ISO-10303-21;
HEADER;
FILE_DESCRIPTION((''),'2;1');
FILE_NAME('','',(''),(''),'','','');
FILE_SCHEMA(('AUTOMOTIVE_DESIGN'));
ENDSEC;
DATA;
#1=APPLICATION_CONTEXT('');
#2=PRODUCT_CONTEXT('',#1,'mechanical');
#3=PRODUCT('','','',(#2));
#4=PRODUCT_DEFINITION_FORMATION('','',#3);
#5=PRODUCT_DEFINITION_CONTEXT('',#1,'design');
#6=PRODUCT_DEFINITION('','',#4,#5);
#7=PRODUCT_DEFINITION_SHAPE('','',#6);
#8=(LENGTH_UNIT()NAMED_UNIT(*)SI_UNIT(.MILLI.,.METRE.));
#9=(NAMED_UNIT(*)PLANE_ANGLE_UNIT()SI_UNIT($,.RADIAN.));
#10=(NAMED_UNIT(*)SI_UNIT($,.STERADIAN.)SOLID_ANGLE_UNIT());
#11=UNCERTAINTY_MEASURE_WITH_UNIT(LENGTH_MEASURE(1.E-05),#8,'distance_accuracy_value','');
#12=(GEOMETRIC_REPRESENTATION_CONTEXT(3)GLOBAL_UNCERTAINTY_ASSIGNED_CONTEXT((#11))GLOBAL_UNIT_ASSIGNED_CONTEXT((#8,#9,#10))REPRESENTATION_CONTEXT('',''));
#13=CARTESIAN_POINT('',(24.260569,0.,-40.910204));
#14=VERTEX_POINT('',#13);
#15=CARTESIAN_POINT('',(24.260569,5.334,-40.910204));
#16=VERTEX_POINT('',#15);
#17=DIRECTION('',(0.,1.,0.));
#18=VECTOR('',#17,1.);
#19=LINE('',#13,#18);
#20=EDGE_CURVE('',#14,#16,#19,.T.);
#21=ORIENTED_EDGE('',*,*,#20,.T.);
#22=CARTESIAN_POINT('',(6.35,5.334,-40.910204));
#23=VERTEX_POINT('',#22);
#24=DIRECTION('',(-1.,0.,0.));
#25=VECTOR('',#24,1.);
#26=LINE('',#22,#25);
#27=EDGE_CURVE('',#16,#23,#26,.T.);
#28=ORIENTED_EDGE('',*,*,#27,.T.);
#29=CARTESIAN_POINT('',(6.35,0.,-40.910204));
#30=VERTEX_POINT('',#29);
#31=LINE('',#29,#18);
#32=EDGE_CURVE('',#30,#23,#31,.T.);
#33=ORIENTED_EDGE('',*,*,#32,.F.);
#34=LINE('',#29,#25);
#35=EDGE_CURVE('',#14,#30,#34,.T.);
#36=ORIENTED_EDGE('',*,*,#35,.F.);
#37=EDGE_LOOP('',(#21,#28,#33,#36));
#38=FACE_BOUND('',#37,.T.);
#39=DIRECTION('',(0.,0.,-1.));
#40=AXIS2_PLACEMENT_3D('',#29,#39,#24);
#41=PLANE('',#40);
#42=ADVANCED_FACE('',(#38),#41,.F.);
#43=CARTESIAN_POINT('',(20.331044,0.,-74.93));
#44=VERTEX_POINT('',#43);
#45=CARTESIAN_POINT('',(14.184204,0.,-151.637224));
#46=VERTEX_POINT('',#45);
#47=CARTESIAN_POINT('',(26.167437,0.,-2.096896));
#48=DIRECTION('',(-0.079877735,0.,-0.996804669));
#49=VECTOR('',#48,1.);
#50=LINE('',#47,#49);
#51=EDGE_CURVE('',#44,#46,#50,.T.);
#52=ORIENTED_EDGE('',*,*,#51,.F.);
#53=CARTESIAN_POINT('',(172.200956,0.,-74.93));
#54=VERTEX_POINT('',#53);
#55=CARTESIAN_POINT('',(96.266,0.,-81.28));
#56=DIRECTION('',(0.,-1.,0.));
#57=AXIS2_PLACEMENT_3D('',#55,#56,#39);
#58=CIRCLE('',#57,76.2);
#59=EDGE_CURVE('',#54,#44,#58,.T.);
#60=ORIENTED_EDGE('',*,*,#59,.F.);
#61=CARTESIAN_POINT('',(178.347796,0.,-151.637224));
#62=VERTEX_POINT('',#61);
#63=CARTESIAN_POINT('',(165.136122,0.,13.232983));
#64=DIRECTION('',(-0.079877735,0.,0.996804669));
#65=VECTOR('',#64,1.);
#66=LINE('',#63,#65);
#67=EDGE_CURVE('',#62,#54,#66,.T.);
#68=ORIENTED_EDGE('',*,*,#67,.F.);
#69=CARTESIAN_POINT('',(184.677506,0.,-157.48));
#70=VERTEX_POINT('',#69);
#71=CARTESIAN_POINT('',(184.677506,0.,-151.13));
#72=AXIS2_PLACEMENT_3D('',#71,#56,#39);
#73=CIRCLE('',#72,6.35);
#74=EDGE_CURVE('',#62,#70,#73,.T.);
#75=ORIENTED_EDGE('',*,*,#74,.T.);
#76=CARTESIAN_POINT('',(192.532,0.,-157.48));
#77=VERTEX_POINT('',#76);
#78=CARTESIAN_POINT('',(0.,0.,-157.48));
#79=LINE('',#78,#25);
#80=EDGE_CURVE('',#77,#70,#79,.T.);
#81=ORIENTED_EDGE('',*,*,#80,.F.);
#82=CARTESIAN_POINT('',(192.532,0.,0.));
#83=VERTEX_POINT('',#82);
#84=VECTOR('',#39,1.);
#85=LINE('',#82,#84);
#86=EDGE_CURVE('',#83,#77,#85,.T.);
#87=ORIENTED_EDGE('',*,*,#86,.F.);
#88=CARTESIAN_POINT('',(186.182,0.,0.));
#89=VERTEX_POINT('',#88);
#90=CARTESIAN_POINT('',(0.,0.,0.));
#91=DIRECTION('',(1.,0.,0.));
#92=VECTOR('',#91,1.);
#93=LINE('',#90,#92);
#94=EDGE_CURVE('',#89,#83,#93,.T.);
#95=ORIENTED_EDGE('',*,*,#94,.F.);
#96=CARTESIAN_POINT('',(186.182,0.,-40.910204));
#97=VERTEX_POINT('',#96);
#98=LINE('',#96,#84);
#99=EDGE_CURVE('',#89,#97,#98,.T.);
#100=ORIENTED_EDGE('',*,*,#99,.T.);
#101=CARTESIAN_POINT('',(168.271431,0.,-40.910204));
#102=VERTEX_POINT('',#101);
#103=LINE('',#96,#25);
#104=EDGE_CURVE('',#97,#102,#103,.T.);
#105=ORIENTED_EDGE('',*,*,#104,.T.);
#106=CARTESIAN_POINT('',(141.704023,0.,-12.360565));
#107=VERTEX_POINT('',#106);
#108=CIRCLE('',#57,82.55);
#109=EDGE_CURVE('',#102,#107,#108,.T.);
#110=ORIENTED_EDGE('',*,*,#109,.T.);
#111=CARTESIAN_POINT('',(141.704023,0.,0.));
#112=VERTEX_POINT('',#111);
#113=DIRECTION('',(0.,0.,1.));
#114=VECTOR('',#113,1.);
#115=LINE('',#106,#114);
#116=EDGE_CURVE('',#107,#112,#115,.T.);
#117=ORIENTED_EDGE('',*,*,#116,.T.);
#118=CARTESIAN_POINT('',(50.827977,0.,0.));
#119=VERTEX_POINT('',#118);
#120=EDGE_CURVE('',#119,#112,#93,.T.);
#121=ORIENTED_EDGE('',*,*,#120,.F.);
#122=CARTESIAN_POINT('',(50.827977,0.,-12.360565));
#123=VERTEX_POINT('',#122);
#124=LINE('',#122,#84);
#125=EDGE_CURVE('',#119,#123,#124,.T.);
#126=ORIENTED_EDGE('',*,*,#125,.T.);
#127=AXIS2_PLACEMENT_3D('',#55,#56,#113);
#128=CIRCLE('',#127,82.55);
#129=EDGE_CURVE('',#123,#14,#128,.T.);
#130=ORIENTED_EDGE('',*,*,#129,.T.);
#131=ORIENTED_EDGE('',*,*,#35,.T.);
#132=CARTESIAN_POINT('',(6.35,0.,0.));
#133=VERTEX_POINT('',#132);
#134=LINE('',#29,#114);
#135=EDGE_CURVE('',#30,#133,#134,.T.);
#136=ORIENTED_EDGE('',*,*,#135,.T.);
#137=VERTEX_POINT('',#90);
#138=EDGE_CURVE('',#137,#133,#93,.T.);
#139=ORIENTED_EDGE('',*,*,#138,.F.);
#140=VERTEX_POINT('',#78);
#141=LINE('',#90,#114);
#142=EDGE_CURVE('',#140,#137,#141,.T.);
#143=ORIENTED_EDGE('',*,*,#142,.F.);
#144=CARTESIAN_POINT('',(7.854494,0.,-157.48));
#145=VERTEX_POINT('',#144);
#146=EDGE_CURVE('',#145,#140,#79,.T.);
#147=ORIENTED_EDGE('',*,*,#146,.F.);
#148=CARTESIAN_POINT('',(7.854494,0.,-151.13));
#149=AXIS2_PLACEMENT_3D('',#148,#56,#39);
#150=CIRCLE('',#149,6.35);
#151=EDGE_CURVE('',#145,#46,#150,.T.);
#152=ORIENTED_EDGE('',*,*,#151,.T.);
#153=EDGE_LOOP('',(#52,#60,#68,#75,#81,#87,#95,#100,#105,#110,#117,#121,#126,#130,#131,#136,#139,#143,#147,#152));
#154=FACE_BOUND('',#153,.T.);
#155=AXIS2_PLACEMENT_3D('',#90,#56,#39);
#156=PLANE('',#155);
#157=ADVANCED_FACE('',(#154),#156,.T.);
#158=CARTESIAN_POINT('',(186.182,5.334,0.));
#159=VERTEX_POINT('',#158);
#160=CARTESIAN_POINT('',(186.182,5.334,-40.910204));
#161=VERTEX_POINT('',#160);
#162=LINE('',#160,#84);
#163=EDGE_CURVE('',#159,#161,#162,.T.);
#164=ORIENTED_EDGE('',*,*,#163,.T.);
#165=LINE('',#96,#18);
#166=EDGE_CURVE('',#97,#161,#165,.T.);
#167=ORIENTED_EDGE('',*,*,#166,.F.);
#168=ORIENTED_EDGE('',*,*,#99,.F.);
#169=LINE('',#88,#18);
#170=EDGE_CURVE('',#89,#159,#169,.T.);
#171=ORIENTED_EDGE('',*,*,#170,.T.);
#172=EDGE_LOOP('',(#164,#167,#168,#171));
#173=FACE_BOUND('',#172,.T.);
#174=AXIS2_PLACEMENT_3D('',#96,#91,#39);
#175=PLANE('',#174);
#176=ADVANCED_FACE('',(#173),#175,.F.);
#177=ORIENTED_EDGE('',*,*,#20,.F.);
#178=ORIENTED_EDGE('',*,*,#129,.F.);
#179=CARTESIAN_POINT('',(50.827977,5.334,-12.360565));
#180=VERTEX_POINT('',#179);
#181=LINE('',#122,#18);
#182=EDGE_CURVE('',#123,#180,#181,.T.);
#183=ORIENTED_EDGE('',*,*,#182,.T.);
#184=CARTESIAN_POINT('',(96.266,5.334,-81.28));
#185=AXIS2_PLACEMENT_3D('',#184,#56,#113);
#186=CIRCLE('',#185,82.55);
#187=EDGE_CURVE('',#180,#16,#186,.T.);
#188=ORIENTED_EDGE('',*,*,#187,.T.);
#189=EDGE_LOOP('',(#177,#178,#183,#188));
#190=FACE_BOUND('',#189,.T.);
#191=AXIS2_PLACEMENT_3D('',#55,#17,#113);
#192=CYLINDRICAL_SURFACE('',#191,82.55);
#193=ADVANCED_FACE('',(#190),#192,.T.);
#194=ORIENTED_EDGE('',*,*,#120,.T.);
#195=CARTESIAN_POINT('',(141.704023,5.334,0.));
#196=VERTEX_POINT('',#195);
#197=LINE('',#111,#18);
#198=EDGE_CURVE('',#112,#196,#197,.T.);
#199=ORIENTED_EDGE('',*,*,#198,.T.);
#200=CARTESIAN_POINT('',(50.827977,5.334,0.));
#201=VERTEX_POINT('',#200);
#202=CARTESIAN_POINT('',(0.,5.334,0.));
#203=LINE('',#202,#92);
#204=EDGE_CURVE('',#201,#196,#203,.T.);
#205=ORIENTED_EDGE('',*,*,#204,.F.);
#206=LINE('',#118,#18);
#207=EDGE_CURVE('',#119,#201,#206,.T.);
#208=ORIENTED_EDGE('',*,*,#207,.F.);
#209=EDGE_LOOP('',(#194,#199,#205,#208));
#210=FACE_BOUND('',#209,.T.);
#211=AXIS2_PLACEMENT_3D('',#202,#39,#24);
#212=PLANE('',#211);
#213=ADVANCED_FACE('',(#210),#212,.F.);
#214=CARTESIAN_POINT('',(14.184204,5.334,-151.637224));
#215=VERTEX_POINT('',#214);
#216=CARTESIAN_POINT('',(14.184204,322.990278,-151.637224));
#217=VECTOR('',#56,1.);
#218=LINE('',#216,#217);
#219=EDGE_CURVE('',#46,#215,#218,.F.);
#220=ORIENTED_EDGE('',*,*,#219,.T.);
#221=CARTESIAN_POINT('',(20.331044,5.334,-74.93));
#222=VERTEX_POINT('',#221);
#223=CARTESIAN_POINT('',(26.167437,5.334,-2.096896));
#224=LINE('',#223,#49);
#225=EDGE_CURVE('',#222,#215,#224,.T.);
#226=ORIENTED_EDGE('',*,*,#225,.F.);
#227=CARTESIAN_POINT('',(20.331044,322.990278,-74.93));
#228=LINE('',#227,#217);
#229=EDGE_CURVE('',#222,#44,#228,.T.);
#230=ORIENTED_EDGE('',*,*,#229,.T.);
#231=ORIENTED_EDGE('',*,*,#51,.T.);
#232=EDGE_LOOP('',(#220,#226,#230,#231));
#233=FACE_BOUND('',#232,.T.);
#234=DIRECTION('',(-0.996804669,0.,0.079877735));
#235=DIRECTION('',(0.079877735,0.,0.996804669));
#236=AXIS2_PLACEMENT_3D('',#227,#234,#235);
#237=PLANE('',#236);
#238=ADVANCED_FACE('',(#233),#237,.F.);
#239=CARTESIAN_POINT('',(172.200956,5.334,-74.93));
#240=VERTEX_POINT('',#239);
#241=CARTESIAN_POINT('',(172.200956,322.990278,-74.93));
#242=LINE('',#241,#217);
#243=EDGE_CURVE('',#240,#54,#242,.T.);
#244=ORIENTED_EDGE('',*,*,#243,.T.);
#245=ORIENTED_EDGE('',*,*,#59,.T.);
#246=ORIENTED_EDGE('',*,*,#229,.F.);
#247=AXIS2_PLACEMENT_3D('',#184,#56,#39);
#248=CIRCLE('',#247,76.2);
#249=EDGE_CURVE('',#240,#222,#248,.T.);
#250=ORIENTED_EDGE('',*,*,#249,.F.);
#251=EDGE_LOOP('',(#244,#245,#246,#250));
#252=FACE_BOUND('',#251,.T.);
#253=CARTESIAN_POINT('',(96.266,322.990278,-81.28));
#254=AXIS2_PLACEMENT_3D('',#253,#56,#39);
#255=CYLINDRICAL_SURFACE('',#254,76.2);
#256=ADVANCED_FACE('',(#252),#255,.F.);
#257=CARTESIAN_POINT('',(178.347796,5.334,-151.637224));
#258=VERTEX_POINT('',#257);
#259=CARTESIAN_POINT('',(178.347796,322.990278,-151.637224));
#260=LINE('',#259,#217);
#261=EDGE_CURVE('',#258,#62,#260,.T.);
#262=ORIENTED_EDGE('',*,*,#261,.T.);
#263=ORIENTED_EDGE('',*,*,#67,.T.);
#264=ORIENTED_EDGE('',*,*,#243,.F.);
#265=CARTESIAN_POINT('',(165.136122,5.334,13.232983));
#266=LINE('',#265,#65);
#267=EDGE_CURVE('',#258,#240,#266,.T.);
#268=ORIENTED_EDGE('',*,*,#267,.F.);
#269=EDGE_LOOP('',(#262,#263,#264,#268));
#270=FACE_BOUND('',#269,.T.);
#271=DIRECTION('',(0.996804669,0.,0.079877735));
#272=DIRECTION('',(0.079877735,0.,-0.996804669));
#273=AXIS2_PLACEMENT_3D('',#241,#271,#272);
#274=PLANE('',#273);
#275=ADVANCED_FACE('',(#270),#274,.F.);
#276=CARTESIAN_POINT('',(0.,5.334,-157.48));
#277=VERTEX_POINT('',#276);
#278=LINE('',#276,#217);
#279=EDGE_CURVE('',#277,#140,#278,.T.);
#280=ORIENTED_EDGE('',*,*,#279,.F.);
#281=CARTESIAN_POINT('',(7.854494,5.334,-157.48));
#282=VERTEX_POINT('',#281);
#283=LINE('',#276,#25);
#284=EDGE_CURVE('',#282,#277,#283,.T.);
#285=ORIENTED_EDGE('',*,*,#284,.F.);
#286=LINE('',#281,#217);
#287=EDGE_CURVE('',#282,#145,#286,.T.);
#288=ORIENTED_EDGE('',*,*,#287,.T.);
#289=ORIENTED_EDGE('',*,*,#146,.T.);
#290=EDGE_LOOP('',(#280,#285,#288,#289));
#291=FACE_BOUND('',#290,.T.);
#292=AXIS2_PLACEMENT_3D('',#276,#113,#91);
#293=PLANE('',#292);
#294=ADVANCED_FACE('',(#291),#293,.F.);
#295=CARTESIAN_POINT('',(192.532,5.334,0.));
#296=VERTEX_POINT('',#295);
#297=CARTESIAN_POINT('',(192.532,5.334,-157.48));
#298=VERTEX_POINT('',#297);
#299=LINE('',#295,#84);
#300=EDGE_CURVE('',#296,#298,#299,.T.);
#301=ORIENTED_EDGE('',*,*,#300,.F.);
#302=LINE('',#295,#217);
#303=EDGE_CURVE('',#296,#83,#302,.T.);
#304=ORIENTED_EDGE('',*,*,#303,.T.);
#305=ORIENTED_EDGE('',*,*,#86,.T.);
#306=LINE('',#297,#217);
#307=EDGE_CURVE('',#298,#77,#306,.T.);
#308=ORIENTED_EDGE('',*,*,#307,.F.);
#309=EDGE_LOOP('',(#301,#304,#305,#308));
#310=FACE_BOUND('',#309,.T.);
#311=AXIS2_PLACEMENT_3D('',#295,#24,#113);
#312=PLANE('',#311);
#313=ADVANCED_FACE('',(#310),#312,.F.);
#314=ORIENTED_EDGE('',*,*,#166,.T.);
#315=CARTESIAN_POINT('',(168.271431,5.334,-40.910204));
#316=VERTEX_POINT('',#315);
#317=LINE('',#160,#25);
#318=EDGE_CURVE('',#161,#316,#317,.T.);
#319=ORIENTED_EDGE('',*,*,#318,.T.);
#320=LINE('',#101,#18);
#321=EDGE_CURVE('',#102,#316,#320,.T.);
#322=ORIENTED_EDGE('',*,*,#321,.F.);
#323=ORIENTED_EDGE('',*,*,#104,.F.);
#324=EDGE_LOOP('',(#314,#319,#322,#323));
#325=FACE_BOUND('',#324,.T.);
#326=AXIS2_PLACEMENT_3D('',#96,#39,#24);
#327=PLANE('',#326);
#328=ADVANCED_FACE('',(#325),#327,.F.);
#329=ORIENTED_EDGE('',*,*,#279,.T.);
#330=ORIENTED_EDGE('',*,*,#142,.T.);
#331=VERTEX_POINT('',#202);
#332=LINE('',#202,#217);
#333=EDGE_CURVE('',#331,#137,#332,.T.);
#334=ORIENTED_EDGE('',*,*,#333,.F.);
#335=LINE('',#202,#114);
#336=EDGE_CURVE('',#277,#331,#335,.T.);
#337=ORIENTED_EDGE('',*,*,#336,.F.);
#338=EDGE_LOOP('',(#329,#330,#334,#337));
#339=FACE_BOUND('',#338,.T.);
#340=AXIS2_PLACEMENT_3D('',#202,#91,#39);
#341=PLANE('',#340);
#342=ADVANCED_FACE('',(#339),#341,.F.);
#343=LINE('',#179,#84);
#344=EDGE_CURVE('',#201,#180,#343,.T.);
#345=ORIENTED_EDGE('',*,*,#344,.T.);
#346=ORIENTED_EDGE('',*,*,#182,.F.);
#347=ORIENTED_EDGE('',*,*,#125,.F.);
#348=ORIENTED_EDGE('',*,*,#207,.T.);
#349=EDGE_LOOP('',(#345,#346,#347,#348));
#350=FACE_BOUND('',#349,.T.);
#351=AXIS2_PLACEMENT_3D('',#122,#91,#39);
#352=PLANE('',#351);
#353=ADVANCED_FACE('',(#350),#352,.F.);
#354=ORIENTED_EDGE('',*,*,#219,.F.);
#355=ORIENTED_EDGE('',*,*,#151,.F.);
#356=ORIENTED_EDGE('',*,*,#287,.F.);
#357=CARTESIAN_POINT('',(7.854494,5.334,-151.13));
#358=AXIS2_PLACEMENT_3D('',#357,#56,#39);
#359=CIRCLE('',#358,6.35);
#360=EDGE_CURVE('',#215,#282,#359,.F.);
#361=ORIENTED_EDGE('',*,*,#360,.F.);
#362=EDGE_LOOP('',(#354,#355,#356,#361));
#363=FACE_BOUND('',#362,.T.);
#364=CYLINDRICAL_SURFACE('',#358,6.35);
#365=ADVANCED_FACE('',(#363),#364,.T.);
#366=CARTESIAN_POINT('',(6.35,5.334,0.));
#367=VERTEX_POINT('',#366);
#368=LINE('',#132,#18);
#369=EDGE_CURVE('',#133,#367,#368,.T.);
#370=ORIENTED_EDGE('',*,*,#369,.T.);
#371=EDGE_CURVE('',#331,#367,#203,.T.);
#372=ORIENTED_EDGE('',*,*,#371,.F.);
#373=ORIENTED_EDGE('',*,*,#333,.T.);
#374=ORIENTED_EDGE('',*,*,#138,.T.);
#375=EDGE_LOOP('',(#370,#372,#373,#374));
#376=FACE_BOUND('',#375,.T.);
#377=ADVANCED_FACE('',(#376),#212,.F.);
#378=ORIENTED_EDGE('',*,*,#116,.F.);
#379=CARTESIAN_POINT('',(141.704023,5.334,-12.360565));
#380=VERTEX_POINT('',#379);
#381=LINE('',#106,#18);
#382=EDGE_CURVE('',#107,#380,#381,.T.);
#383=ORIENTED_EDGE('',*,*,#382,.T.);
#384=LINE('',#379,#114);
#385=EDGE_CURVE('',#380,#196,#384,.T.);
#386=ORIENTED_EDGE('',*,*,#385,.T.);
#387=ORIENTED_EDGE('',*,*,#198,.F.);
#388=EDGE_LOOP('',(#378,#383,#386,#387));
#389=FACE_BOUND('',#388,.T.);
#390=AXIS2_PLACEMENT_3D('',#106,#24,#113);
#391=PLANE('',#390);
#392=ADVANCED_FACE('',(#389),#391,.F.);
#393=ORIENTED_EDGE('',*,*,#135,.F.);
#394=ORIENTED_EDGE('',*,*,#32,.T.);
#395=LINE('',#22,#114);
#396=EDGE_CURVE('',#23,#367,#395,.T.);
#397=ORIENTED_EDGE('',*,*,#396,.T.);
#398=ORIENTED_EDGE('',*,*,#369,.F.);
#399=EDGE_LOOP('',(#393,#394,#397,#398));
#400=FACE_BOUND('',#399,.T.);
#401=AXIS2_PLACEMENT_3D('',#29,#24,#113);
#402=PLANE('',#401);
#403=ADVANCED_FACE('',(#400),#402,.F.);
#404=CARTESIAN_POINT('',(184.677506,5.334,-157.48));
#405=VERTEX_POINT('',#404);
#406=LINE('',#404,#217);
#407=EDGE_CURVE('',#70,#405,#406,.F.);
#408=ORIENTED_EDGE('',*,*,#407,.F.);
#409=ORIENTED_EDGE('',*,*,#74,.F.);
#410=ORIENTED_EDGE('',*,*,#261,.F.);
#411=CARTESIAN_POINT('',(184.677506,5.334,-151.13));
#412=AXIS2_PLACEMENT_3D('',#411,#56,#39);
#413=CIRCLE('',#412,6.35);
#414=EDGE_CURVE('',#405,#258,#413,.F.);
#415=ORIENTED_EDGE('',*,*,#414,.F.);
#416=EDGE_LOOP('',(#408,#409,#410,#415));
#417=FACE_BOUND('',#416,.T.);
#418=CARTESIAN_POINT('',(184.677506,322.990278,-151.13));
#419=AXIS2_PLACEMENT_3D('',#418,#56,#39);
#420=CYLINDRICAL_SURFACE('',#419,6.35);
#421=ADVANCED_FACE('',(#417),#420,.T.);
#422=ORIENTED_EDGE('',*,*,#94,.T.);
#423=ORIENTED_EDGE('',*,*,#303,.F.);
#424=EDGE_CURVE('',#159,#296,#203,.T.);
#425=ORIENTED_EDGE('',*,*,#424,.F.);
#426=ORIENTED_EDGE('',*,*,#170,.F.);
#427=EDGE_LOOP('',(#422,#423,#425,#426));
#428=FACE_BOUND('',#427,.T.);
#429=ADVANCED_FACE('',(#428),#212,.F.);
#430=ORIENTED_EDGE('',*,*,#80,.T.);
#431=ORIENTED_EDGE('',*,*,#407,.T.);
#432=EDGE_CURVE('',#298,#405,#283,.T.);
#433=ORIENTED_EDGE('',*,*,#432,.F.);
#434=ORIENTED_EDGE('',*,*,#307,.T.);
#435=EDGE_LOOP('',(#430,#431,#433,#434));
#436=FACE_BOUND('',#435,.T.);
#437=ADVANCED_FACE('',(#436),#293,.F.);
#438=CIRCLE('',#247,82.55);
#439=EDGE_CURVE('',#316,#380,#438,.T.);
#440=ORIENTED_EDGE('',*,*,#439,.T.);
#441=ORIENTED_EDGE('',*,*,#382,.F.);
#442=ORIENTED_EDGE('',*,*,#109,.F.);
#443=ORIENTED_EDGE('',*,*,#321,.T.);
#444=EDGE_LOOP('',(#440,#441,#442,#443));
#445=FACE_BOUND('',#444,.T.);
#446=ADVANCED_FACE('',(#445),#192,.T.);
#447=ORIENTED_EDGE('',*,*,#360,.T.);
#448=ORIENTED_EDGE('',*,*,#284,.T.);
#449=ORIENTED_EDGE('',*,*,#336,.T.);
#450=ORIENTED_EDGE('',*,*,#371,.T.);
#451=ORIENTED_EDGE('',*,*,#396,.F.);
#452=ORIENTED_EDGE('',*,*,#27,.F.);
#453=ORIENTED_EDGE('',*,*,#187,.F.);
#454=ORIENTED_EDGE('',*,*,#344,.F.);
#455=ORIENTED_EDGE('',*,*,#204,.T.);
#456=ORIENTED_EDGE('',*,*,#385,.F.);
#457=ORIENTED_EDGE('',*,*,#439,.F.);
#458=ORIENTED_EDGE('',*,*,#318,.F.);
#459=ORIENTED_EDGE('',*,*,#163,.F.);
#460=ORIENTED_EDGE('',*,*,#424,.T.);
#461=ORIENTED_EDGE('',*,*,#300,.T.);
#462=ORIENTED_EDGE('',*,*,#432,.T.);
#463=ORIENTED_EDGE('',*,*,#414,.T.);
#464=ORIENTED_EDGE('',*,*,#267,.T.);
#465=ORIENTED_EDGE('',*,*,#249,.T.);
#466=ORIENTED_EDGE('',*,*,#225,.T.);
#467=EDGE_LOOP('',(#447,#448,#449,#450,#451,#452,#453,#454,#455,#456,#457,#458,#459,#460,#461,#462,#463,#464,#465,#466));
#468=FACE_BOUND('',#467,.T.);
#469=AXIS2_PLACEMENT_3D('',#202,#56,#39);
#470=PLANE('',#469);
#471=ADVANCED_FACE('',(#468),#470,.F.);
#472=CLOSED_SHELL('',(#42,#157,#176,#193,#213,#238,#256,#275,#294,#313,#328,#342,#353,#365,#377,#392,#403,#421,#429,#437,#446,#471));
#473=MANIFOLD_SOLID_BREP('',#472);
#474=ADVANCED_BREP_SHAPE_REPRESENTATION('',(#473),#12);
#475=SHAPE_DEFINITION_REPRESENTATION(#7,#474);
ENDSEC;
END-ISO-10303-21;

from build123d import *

# Parameters (mm, degrees)
SKETCH1_W             = 192.532
SKETCH1_H             = 157.48
BASE_DEPTH            = 5.334
CENTER_CUT_DEPTH      = 249.791022708
CENTER_CUT_DEPTH_BACK = 249.791022708
FILLET1_R             = 6.35
CUT_EXTRUDE3_DEPTH    = 249.791022708


with BuildPart() as part:
    # Sketch1 → Base (new body)
    with BuildSketch(Plane(origin=(0, 0, 0), x_dir=(1, 0, 0), z_dir=(0, 1, 0))):
        with Locations((96.266, 78.74)):
            Rectangle(SKETCH1_W, SKETCH1_H)
    extrude(amount=BASE_DEPTH)

    # Sketch2 → Center Cut (cut, two sides: drawn at the far end of the back side and taken through both)
    with BuildSketch(Plane(origin=(0, 5.334, 0), x_dir=(1, 0, 0), z_dir=(0, 1, 0)).offset(-CENTER_CUT_DEPTH_BACK)):
        with BuildLine():
            Line((217.68055776, 642.475883119), (178.816, 157.48))
            Line((178.816, 157.48), (172.200955719, 74.93))
            ThreePointArc((172.200955719, 74.93), (96.266, 5.08), (20.331044281, 74.93))
            Line((20.331044281, 74.93), (13.716, 157.48))
            Line((13.716, 157.48), (-25.14855776, 642.475883119))
            Line((-25.14855776, 642.475883119), (-25.14855776, 1615.577029953))
            Line((-25.14855776, 1615.577029953), (217.68055776, 1615.577029953))
            Line((217.68055776, 1615.577029953), (217.68055776, 642.475883119))
        make_face()
    extrude(amount=CENTER_CUT_DEPTH + CENTER_CUT_DEPTH_BACK, mode=Mode.SUBTRACT)

    # Fillet1
    fillet1_edges = [part.edges().sort_by_distance(p)[0] for p in [
        (178.816, 2.667, -157.48),
        (13.716, 2.667, -157.48),
    ]]
    fillet(fillet1_edges, radius=FILLET1_R)

    # Sketch7 → Cut-Extrude3 (cut, through all)
    with BuildSketch(Plane(origin=(0, 5.334, 0), x_dir=(1, 0, 0), z_dir=(0, 1, 0))):
        with BuildLine():
            Line((6.35, 40.9102037), (24.260569325, 40.9102037))
            ThreePointArc((24.260569325, 40.9102037), (35.834123486, 25.043972393), (50.827976512, 12.360564994))
            Line((50.827976512, 12.360564994), (50.827976512, 0))
            Line((50.827976512, 0), (6.35, 0))
            Line((6.35, 0), (6.35, 40.9102037))
        make_face()
        with BuildLine():
            Line((186.182, 40.9102037), (186.182, 0))
            Line((186.182, 0), (141.704023488, 0))
            Line((141.704023488, 0), (141.704023488, 12.360564994))
            ThreePointArc((141.704023488, 12.360564994), (156.697876514, 25.043972393), (168.271430675, 40.9102037))
            Line((168.271430675, 40.9102037), (186.182, 40.9102037))
        make_face()
    extrude(amount=-CUT_EXTRUDE3_DEPTH, mode=Mode.SUBTRACT)


solid = part.part
